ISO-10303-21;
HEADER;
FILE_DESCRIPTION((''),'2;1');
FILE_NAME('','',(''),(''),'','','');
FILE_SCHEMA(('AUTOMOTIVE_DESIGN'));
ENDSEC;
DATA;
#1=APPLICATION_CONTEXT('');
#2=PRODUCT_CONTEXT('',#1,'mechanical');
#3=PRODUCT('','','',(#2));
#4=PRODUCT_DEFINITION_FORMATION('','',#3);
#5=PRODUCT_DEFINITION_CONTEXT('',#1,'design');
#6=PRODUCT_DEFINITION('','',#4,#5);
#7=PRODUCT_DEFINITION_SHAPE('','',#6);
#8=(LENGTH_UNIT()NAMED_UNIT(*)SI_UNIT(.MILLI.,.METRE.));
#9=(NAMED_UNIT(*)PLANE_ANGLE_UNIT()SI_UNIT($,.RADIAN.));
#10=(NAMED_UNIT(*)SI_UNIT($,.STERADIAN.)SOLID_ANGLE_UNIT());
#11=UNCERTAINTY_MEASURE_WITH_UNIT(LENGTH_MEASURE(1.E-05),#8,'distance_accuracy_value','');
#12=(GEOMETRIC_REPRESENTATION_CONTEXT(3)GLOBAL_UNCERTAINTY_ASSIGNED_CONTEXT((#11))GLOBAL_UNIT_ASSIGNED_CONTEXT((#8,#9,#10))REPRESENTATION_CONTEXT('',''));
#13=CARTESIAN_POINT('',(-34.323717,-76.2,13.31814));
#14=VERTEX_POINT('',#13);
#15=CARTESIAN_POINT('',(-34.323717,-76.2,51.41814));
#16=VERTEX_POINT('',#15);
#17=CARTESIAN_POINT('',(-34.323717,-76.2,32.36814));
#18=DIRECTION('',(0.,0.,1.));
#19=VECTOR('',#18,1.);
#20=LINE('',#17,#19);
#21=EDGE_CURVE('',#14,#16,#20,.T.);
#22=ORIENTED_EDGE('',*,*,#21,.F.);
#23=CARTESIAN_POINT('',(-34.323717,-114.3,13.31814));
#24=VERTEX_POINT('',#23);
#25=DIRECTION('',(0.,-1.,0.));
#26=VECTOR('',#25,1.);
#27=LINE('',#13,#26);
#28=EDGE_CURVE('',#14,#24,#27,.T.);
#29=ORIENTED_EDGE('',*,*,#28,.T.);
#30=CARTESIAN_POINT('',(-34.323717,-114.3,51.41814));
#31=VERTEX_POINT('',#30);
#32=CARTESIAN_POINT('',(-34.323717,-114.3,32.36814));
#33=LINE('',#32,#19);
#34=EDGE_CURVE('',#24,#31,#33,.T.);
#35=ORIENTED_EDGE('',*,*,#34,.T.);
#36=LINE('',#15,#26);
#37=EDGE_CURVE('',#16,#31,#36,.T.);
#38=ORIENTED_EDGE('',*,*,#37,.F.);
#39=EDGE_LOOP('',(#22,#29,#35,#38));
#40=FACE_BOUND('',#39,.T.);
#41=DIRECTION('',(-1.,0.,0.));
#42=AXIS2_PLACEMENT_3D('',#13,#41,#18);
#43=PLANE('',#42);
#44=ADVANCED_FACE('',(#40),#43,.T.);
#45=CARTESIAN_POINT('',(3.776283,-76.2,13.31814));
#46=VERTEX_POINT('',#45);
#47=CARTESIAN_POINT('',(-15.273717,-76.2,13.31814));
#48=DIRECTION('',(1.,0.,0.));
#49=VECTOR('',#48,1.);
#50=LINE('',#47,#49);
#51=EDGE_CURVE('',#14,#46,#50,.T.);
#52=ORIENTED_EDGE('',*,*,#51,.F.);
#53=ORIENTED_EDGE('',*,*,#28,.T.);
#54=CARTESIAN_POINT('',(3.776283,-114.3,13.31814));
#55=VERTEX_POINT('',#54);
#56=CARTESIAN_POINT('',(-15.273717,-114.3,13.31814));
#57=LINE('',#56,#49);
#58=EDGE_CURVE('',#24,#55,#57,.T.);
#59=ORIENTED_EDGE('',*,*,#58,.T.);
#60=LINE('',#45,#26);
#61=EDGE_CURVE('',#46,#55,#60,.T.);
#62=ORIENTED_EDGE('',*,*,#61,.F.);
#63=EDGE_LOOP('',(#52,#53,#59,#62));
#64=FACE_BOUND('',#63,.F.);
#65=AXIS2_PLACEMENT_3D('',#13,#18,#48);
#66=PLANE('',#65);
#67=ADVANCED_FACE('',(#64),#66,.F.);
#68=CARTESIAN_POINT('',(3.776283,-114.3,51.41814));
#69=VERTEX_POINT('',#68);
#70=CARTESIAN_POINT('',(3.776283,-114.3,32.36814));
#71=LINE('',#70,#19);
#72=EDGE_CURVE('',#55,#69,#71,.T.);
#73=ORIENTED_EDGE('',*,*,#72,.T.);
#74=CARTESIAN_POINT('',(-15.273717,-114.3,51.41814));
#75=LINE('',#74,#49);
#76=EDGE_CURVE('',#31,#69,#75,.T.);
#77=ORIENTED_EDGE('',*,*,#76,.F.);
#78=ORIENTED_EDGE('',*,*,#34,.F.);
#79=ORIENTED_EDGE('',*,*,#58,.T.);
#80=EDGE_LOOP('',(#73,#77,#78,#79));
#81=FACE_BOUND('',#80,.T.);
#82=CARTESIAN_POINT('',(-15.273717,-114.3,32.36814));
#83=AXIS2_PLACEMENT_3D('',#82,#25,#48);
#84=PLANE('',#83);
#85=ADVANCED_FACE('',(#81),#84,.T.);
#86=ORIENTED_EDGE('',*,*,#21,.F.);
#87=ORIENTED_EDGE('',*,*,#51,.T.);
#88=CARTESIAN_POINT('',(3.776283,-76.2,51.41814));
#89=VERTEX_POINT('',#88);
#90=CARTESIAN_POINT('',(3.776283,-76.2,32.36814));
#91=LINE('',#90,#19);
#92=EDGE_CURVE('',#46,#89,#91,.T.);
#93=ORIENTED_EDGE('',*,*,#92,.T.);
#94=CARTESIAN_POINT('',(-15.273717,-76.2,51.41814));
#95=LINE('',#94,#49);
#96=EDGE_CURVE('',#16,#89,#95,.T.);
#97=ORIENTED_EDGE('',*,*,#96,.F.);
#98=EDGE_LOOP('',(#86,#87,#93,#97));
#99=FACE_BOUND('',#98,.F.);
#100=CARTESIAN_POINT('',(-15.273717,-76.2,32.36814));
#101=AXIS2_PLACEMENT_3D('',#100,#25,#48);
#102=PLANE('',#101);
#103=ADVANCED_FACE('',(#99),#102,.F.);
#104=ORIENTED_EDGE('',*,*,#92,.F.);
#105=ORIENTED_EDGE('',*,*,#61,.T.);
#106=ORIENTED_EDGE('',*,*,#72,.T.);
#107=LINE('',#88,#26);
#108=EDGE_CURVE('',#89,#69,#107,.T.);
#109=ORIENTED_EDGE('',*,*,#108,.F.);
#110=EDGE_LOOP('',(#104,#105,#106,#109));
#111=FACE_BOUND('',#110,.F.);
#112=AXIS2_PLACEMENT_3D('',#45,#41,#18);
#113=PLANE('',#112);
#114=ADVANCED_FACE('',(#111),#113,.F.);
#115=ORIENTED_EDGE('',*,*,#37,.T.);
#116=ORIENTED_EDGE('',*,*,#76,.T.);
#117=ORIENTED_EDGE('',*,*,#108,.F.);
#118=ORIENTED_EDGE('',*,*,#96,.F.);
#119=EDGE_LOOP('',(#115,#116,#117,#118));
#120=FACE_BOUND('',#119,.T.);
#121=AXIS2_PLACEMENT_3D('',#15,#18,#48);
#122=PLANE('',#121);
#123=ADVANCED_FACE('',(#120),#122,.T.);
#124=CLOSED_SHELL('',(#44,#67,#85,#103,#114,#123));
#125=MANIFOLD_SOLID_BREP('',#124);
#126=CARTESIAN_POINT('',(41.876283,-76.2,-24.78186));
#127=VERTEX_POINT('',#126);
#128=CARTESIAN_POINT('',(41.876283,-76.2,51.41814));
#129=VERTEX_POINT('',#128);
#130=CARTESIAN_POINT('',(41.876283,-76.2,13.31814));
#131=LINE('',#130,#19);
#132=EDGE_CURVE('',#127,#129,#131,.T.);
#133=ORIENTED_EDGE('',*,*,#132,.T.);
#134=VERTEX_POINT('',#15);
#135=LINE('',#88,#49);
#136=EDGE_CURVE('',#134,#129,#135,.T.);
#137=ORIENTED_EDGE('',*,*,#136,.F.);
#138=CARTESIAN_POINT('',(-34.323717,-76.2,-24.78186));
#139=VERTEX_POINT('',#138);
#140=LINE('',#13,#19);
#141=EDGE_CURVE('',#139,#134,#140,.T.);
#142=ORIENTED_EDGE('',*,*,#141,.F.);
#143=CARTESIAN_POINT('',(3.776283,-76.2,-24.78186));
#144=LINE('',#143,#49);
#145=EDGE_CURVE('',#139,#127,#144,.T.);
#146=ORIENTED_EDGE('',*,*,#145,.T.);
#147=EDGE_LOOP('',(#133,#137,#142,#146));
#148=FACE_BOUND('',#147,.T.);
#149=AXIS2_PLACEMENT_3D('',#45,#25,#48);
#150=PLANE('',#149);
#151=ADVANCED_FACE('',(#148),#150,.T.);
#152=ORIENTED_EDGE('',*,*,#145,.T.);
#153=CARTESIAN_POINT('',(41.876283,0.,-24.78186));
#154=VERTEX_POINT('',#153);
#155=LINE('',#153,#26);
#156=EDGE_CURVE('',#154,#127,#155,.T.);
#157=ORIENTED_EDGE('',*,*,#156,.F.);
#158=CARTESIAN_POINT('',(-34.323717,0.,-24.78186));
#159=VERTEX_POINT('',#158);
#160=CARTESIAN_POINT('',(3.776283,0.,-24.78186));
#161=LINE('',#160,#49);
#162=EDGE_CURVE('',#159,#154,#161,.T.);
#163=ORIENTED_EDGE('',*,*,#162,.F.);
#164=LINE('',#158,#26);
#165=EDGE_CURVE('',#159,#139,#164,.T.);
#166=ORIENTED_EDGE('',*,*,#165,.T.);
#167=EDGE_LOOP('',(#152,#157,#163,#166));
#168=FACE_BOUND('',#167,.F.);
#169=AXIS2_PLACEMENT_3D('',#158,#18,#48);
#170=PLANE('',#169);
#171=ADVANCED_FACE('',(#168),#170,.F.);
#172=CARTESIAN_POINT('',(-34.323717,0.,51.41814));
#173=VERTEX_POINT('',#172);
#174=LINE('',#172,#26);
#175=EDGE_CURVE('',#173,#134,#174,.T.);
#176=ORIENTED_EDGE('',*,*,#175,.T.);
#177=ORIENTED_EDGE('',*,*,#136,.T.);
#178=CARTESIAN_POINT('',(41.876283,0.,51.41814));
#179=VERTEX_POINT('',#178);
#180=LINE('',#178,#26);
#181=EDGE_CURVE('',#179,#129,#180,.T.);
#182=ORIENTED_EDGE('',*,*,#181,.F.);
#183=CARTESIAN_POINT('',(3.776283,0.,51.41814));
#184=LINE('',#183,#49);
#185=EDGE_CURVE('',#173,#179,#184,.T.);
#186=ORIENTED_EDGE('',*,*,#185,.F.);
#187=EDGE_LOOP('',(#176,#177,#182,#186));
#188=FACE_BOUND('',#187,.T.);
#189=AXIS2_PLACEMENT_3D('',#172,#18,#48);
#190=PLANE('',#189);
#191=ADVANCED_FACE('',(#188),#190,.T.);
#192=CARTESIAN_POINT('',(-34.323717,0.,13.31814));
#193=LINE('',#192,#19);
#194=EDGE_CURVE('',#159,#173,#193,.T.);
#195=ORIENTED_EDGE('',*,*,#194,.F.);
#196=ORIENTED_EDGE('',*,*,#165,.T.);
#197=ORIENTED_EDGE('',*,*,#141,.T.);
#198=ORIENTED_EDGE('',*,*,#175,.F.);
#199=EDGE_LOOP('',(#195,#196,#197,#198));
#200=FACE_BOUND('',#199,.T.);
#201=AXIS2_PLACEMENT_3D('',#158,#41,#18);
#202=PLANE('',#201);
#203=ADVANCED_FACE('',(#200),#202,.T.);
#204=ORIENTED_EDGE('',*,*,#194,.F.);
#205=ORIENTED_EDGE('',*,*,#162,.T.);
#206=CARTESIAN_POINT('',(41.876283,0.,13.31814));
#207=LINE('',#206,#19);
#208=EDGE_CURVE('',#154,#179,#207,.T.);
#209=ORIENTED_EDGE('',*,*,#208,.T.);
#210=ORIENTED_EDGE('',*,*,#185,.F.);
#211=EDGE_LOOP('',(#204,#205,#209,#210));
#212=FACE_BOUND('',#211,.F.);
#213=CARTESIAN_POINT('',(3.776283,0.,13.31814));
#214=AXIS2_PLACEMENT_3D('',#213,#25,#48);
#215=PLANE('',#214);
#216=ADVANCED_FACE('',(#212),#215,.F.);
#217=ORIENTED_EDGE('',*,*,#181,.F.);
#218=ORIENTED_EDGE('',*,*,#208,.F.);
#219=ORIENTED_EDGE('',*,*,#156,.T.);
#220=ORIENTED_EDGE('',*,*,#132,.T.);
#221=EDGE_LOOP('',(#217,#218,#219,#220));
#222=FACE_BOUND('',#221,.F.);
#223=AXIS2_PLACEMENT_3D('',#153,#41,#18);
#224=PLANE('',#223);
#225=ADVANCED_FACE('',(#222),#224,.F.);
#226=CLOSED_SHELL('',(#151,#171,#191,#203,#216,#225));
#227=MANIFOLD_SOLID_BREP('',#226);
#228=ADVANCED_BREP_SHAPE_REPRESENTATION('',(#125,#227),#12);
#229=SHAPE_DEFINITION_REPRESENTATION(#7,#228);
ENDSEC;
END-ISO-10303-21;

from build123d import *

# Parameters (mm, degrees)
F0_W     = 76.2
F0_H     = 76.2
F1_DEPTH = 76.2
F2_W     = 38.1
F2_H     = 38.1
F3_DEPTH = 38.1


with BuildPart() as f1:
    # F0 (on Front) → F1 (new body)
    with BuildSketch(Plane.XZ):
        with Locations((3.776283, 13.31814)):
            Rectangle(F0_W, F0_H)
    extrude(amount=F1_DEPTH)


with BuildPart() as f3:
    # F2 (on face) → F3 (new body)
    with BuildSketch(Plane.XZ.offset(76.2)):
        with Locations((-15.273717, 32.36814)):
            Rectangle(F2_W, F2_H)
    extrude(amount=F3_DEPTH)


solid = Compound([f1.part, f3.part])
